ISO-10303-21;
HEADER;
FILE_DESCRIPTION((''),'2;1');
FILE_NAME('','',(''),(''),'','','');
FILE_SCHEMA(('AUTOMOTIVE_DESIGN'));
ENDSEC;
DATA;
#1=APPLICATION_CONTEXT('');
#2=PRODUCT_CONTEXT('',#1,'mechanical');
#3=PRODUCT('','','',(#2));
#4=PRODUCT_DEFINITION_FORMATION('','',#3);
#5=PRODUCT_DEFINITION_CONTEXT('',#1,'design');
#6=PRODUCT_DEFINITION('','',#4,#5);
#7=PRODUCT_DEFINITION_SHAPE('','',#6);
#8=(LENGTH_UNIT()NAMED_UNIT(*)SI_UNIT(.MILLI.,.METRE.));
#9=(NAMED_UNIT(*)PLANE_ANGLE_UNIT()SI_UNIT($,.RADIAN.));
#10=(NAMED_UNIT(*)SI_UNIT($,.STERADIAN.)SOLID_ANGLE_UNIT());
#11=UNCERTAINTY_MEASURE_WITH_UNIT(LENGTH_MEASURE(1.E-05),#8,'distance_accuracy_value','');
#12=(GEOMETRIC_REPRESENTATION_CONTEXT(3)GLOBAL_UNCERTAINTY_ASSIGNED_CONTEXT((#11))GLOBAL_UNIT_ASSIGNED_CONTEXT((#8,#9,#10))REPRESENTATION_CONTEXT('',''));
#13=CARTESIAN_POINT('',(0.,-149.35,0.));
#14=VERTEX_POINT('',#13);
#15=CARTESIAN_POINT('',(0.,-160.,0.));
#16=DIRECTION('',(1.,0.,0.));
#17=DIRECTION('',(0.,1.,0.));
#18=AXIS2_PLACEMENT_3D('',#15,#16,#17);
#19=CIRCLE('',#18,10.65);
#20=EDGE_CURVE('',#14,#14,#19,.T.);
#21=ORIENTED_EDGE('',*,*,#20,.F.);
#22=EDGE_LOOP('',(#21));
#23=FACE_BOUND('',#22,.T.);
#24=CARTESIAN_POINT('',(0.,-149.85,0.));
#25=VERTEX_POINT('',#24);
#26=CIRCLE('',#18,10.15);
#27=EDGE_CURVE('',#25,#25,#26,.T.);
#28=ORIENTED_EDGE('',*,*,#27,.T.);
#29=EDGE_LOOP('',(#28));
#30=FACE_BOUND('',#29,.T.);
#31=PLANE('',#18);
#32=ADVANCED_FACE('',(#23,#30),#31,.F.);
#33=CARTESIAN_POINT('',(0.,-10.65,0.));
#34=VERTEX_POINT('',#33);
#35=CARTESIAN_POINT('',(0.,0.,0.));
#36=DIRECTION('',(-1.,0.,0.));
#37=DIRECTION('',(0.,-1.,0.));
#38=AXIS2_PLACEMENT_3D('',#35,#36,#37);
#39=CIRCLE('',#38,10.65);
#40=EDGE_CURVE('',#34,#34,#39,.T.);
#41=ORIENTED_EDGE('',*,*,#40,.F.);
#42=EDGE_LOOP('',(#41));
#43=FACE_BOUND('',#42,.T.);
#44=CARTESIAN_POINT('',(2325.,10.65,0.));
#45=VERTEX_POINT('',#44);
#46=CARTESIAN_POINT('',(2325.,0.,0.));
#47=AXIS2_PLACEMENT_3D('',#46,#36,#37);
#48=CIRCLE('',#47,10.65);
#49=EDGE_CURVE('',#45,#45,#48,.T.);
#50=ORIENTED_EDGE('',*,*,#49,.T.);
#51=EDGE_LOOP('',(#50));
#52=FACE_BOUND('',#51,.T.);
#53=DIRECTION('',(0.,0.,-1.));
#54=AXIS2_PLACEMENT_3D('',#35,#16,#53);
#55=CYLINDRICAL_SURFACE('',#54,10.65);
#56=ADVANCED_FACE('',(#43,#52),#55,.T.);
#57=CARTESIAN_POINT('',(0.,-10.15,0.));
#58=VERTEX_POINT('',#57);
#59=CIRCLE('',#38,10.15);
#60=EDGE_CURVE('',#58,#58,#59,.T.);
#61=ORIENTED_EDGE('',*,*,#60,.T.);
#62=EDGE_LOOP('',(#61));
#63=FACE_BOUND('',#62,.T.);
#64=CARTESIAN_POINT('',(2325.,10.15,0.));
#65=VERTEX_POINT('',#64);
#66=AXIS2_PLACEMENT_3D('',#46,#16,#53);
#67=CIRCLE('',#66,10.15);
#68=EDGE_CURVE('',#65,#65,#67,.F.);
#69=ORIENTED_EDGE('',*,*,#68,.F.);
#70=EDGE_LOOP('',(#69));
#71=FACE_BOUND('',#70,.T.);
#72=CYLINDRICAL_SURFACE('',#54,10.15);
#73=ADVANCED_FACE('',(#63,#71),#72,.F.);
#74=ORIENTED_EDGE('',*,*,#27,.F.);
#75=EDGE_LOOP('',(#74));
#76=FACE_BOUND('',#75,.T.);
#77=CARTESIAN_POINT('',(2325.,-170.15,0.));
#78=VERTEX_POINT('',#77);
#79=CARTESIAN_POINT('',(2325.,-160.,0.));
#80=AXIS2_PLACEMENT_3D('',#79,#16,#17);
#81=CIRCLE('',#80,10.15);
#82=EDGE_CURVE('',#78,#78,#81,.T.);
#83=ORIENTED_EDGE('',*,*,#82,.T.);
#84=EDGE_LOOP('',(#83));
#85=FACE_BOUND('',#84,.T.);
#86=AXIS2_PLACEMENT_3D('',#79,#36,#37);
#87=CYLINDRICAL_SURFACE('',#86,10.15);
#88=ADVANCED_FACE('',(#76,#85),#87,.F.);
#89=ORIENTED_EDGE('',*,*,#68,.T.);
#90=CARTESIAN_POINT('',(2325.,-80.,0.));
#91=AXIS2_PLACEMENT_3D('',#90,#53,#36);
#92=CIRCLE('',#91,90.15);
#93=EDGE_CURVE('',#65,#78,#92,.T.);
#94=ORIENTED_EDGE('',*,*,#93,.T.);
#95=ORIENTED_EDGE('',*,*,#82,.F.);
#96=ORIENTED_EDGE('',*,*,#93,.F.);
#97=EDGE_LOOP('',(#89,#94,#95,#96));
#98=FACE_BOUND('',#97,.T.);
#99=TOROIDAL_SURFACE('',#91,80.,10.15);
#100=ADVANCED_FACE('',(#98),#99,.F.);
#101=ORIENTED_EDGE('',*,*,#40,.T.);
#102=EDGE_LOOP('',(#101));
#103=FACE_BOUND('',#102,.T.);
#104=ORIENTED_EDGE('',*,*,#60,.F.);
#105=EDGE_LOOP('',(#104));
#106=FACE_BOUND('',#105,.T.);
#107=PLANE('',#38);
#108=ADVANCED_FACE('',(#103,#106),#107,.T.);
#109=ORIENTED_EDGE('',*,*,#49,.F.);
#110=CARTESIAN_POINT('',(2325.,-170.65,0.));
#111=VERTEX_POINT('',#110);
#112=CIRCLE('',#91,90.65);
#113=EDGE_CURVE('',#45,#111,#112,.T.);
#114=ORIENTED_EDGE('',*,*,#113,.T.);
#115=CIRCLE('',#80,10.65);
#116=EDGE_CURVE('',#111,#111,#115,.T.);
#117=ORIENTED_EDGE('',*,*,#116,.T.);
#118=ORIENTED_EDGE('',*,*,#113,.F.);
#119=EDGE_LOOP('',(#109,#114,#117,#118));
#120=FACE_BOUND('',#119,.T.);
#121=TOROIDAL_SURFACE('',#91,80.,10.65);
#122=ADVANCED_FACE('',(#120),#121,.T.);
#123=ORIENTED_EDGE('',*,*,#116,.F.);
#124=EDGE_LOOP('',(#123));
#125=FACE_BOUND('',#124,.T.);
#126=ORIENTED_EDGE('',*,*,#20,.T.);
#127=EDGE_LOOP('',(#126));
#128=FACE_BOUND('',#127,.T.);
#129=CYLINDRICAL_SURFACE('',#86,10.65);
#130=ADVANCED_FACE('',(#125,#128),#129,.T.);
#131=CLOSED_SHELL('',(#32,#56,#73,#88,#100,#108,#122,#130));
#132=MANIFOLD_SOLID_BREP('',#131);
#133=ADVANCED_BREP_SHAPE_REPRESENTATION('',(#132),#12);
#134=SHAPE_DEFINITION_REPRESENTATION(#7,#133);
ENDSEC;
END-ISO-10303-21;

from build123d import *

# Parameters (mm, degrees)
SWEEP_THIN1_PROFILE_R   = 10.65
SWEEP_THIN1_PROFILE_R_2 = 10.15


with BuildPart() as part:
    # Sweep-Thin1: sweep along a path in Sketch1
    with BuildLine(Plane.XY) as sweep_thin1_path:
        Line((0, 0), (2325, 0))
        ThreePointArc((2325, 0), (2405, -80), (2325, -160))
        Line((2325, -160), (0, -160))
    # Sweep-Thin1 profile (on start of the path) → Sweep-Thin1 (sweep)
    with BuildSketch(Plane(origin=(0, 0, 0), x_dir=(0, 0, 1), z_dir=(1, 0, 0))):
        Circle(SWEEP_THIN1_PROFILE_R)
        Circle(SWEEP_THIN1_PROFILE_R_2, mode=Mode.SUBTRACT)
    sweep(path=sweep_thin1_path.line)


solid = part.part
